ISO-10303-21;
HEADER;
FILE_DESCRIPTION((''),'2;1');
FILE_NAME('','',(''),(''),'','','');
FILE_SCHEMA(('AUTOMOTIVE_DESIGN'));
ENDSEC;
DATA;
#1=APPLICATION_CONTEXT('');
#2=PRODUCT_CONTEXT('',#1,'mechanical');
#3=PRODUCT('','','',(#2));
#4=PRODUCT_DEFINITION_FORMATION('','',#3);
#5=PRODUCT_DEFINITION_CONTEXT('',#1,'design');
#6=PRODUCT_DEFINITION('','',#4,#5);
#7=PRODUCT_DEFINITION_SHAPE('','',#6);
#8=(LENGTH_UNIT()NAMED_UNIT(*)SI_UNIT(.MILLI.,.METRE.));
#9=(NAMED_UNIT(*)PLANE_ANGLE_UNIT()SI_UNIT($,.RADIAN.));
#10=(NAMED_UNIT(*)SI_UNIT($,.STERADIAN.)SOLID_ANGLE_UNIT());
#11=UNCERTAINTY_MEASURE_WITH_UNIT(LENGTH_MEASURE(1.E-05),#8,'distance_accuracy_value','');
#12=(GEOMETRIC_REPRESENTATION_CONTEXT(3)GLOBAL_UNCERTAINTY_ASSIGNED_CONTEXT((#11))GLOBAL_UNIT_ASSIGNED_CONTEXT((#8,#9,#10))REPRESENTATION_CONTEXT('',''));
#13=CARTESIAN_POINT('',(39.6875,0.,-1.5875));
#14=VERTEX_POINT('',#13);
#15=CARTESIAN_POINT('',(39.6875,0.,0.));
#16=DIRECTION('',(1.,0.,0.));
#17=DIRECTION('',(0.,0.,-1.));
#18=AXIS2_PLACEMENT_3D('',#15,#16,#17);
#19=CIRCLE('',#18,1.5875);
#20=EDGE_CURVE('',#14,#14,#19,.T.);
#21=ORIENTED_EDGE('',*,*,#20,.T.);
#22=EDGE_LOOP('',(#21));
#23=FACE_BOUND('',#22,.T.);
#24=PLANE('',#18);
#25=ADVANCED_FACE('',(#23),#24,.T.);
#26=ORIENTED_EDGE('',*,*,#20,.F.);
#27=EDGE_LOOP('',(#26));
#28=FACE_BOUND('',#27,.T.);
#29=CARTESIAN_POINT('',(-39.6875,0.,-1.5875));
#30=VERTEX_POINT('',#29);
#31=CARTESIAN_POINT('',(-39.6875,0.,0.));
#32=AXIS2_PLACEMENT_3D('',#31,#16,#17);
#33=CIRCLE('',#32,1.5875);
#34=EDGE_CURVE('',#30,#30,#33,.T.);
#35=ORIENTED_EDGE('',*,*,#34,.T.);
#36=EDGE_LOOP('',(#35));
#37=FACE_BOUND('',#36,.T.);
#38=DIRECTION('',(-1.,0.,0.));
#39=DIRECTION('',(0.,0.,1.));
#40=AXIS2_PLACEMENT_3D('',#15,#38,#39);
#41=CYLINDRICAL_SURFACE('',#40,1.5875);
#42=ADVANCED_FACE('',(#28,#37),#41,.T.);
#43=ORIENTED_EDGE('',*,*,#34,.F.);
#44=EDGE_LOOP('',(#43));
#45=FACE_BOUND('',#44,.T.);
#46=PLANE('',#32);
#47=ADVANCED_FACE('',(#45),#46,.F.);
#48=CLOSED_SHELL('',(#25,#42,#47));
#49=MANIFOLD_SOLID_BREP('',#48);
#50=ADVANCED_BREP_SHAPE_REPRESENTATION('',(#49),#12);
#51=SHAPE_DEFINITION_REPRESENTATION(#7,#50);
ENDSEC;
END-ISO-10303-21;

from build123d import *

# Parameters (mm, degrees)
SKETCH1_R           = 1.5875
BOSS_EXTRUDE1_DEPTH = 39.6875


with BuildPart() as part:
    # Sketch1 → Boss-Extrude1 (new body, symmetric)
    with BuildSketch(Plane(origin=(0, 0, 0), x_dir=(0, 0, -1), z_dir=(1, 0, 0))):
        Circle(SKETCH1_R)
    extrude(amount=BOSS_EXTRUDE1_DEPTH, both=True)


solid = part.part
